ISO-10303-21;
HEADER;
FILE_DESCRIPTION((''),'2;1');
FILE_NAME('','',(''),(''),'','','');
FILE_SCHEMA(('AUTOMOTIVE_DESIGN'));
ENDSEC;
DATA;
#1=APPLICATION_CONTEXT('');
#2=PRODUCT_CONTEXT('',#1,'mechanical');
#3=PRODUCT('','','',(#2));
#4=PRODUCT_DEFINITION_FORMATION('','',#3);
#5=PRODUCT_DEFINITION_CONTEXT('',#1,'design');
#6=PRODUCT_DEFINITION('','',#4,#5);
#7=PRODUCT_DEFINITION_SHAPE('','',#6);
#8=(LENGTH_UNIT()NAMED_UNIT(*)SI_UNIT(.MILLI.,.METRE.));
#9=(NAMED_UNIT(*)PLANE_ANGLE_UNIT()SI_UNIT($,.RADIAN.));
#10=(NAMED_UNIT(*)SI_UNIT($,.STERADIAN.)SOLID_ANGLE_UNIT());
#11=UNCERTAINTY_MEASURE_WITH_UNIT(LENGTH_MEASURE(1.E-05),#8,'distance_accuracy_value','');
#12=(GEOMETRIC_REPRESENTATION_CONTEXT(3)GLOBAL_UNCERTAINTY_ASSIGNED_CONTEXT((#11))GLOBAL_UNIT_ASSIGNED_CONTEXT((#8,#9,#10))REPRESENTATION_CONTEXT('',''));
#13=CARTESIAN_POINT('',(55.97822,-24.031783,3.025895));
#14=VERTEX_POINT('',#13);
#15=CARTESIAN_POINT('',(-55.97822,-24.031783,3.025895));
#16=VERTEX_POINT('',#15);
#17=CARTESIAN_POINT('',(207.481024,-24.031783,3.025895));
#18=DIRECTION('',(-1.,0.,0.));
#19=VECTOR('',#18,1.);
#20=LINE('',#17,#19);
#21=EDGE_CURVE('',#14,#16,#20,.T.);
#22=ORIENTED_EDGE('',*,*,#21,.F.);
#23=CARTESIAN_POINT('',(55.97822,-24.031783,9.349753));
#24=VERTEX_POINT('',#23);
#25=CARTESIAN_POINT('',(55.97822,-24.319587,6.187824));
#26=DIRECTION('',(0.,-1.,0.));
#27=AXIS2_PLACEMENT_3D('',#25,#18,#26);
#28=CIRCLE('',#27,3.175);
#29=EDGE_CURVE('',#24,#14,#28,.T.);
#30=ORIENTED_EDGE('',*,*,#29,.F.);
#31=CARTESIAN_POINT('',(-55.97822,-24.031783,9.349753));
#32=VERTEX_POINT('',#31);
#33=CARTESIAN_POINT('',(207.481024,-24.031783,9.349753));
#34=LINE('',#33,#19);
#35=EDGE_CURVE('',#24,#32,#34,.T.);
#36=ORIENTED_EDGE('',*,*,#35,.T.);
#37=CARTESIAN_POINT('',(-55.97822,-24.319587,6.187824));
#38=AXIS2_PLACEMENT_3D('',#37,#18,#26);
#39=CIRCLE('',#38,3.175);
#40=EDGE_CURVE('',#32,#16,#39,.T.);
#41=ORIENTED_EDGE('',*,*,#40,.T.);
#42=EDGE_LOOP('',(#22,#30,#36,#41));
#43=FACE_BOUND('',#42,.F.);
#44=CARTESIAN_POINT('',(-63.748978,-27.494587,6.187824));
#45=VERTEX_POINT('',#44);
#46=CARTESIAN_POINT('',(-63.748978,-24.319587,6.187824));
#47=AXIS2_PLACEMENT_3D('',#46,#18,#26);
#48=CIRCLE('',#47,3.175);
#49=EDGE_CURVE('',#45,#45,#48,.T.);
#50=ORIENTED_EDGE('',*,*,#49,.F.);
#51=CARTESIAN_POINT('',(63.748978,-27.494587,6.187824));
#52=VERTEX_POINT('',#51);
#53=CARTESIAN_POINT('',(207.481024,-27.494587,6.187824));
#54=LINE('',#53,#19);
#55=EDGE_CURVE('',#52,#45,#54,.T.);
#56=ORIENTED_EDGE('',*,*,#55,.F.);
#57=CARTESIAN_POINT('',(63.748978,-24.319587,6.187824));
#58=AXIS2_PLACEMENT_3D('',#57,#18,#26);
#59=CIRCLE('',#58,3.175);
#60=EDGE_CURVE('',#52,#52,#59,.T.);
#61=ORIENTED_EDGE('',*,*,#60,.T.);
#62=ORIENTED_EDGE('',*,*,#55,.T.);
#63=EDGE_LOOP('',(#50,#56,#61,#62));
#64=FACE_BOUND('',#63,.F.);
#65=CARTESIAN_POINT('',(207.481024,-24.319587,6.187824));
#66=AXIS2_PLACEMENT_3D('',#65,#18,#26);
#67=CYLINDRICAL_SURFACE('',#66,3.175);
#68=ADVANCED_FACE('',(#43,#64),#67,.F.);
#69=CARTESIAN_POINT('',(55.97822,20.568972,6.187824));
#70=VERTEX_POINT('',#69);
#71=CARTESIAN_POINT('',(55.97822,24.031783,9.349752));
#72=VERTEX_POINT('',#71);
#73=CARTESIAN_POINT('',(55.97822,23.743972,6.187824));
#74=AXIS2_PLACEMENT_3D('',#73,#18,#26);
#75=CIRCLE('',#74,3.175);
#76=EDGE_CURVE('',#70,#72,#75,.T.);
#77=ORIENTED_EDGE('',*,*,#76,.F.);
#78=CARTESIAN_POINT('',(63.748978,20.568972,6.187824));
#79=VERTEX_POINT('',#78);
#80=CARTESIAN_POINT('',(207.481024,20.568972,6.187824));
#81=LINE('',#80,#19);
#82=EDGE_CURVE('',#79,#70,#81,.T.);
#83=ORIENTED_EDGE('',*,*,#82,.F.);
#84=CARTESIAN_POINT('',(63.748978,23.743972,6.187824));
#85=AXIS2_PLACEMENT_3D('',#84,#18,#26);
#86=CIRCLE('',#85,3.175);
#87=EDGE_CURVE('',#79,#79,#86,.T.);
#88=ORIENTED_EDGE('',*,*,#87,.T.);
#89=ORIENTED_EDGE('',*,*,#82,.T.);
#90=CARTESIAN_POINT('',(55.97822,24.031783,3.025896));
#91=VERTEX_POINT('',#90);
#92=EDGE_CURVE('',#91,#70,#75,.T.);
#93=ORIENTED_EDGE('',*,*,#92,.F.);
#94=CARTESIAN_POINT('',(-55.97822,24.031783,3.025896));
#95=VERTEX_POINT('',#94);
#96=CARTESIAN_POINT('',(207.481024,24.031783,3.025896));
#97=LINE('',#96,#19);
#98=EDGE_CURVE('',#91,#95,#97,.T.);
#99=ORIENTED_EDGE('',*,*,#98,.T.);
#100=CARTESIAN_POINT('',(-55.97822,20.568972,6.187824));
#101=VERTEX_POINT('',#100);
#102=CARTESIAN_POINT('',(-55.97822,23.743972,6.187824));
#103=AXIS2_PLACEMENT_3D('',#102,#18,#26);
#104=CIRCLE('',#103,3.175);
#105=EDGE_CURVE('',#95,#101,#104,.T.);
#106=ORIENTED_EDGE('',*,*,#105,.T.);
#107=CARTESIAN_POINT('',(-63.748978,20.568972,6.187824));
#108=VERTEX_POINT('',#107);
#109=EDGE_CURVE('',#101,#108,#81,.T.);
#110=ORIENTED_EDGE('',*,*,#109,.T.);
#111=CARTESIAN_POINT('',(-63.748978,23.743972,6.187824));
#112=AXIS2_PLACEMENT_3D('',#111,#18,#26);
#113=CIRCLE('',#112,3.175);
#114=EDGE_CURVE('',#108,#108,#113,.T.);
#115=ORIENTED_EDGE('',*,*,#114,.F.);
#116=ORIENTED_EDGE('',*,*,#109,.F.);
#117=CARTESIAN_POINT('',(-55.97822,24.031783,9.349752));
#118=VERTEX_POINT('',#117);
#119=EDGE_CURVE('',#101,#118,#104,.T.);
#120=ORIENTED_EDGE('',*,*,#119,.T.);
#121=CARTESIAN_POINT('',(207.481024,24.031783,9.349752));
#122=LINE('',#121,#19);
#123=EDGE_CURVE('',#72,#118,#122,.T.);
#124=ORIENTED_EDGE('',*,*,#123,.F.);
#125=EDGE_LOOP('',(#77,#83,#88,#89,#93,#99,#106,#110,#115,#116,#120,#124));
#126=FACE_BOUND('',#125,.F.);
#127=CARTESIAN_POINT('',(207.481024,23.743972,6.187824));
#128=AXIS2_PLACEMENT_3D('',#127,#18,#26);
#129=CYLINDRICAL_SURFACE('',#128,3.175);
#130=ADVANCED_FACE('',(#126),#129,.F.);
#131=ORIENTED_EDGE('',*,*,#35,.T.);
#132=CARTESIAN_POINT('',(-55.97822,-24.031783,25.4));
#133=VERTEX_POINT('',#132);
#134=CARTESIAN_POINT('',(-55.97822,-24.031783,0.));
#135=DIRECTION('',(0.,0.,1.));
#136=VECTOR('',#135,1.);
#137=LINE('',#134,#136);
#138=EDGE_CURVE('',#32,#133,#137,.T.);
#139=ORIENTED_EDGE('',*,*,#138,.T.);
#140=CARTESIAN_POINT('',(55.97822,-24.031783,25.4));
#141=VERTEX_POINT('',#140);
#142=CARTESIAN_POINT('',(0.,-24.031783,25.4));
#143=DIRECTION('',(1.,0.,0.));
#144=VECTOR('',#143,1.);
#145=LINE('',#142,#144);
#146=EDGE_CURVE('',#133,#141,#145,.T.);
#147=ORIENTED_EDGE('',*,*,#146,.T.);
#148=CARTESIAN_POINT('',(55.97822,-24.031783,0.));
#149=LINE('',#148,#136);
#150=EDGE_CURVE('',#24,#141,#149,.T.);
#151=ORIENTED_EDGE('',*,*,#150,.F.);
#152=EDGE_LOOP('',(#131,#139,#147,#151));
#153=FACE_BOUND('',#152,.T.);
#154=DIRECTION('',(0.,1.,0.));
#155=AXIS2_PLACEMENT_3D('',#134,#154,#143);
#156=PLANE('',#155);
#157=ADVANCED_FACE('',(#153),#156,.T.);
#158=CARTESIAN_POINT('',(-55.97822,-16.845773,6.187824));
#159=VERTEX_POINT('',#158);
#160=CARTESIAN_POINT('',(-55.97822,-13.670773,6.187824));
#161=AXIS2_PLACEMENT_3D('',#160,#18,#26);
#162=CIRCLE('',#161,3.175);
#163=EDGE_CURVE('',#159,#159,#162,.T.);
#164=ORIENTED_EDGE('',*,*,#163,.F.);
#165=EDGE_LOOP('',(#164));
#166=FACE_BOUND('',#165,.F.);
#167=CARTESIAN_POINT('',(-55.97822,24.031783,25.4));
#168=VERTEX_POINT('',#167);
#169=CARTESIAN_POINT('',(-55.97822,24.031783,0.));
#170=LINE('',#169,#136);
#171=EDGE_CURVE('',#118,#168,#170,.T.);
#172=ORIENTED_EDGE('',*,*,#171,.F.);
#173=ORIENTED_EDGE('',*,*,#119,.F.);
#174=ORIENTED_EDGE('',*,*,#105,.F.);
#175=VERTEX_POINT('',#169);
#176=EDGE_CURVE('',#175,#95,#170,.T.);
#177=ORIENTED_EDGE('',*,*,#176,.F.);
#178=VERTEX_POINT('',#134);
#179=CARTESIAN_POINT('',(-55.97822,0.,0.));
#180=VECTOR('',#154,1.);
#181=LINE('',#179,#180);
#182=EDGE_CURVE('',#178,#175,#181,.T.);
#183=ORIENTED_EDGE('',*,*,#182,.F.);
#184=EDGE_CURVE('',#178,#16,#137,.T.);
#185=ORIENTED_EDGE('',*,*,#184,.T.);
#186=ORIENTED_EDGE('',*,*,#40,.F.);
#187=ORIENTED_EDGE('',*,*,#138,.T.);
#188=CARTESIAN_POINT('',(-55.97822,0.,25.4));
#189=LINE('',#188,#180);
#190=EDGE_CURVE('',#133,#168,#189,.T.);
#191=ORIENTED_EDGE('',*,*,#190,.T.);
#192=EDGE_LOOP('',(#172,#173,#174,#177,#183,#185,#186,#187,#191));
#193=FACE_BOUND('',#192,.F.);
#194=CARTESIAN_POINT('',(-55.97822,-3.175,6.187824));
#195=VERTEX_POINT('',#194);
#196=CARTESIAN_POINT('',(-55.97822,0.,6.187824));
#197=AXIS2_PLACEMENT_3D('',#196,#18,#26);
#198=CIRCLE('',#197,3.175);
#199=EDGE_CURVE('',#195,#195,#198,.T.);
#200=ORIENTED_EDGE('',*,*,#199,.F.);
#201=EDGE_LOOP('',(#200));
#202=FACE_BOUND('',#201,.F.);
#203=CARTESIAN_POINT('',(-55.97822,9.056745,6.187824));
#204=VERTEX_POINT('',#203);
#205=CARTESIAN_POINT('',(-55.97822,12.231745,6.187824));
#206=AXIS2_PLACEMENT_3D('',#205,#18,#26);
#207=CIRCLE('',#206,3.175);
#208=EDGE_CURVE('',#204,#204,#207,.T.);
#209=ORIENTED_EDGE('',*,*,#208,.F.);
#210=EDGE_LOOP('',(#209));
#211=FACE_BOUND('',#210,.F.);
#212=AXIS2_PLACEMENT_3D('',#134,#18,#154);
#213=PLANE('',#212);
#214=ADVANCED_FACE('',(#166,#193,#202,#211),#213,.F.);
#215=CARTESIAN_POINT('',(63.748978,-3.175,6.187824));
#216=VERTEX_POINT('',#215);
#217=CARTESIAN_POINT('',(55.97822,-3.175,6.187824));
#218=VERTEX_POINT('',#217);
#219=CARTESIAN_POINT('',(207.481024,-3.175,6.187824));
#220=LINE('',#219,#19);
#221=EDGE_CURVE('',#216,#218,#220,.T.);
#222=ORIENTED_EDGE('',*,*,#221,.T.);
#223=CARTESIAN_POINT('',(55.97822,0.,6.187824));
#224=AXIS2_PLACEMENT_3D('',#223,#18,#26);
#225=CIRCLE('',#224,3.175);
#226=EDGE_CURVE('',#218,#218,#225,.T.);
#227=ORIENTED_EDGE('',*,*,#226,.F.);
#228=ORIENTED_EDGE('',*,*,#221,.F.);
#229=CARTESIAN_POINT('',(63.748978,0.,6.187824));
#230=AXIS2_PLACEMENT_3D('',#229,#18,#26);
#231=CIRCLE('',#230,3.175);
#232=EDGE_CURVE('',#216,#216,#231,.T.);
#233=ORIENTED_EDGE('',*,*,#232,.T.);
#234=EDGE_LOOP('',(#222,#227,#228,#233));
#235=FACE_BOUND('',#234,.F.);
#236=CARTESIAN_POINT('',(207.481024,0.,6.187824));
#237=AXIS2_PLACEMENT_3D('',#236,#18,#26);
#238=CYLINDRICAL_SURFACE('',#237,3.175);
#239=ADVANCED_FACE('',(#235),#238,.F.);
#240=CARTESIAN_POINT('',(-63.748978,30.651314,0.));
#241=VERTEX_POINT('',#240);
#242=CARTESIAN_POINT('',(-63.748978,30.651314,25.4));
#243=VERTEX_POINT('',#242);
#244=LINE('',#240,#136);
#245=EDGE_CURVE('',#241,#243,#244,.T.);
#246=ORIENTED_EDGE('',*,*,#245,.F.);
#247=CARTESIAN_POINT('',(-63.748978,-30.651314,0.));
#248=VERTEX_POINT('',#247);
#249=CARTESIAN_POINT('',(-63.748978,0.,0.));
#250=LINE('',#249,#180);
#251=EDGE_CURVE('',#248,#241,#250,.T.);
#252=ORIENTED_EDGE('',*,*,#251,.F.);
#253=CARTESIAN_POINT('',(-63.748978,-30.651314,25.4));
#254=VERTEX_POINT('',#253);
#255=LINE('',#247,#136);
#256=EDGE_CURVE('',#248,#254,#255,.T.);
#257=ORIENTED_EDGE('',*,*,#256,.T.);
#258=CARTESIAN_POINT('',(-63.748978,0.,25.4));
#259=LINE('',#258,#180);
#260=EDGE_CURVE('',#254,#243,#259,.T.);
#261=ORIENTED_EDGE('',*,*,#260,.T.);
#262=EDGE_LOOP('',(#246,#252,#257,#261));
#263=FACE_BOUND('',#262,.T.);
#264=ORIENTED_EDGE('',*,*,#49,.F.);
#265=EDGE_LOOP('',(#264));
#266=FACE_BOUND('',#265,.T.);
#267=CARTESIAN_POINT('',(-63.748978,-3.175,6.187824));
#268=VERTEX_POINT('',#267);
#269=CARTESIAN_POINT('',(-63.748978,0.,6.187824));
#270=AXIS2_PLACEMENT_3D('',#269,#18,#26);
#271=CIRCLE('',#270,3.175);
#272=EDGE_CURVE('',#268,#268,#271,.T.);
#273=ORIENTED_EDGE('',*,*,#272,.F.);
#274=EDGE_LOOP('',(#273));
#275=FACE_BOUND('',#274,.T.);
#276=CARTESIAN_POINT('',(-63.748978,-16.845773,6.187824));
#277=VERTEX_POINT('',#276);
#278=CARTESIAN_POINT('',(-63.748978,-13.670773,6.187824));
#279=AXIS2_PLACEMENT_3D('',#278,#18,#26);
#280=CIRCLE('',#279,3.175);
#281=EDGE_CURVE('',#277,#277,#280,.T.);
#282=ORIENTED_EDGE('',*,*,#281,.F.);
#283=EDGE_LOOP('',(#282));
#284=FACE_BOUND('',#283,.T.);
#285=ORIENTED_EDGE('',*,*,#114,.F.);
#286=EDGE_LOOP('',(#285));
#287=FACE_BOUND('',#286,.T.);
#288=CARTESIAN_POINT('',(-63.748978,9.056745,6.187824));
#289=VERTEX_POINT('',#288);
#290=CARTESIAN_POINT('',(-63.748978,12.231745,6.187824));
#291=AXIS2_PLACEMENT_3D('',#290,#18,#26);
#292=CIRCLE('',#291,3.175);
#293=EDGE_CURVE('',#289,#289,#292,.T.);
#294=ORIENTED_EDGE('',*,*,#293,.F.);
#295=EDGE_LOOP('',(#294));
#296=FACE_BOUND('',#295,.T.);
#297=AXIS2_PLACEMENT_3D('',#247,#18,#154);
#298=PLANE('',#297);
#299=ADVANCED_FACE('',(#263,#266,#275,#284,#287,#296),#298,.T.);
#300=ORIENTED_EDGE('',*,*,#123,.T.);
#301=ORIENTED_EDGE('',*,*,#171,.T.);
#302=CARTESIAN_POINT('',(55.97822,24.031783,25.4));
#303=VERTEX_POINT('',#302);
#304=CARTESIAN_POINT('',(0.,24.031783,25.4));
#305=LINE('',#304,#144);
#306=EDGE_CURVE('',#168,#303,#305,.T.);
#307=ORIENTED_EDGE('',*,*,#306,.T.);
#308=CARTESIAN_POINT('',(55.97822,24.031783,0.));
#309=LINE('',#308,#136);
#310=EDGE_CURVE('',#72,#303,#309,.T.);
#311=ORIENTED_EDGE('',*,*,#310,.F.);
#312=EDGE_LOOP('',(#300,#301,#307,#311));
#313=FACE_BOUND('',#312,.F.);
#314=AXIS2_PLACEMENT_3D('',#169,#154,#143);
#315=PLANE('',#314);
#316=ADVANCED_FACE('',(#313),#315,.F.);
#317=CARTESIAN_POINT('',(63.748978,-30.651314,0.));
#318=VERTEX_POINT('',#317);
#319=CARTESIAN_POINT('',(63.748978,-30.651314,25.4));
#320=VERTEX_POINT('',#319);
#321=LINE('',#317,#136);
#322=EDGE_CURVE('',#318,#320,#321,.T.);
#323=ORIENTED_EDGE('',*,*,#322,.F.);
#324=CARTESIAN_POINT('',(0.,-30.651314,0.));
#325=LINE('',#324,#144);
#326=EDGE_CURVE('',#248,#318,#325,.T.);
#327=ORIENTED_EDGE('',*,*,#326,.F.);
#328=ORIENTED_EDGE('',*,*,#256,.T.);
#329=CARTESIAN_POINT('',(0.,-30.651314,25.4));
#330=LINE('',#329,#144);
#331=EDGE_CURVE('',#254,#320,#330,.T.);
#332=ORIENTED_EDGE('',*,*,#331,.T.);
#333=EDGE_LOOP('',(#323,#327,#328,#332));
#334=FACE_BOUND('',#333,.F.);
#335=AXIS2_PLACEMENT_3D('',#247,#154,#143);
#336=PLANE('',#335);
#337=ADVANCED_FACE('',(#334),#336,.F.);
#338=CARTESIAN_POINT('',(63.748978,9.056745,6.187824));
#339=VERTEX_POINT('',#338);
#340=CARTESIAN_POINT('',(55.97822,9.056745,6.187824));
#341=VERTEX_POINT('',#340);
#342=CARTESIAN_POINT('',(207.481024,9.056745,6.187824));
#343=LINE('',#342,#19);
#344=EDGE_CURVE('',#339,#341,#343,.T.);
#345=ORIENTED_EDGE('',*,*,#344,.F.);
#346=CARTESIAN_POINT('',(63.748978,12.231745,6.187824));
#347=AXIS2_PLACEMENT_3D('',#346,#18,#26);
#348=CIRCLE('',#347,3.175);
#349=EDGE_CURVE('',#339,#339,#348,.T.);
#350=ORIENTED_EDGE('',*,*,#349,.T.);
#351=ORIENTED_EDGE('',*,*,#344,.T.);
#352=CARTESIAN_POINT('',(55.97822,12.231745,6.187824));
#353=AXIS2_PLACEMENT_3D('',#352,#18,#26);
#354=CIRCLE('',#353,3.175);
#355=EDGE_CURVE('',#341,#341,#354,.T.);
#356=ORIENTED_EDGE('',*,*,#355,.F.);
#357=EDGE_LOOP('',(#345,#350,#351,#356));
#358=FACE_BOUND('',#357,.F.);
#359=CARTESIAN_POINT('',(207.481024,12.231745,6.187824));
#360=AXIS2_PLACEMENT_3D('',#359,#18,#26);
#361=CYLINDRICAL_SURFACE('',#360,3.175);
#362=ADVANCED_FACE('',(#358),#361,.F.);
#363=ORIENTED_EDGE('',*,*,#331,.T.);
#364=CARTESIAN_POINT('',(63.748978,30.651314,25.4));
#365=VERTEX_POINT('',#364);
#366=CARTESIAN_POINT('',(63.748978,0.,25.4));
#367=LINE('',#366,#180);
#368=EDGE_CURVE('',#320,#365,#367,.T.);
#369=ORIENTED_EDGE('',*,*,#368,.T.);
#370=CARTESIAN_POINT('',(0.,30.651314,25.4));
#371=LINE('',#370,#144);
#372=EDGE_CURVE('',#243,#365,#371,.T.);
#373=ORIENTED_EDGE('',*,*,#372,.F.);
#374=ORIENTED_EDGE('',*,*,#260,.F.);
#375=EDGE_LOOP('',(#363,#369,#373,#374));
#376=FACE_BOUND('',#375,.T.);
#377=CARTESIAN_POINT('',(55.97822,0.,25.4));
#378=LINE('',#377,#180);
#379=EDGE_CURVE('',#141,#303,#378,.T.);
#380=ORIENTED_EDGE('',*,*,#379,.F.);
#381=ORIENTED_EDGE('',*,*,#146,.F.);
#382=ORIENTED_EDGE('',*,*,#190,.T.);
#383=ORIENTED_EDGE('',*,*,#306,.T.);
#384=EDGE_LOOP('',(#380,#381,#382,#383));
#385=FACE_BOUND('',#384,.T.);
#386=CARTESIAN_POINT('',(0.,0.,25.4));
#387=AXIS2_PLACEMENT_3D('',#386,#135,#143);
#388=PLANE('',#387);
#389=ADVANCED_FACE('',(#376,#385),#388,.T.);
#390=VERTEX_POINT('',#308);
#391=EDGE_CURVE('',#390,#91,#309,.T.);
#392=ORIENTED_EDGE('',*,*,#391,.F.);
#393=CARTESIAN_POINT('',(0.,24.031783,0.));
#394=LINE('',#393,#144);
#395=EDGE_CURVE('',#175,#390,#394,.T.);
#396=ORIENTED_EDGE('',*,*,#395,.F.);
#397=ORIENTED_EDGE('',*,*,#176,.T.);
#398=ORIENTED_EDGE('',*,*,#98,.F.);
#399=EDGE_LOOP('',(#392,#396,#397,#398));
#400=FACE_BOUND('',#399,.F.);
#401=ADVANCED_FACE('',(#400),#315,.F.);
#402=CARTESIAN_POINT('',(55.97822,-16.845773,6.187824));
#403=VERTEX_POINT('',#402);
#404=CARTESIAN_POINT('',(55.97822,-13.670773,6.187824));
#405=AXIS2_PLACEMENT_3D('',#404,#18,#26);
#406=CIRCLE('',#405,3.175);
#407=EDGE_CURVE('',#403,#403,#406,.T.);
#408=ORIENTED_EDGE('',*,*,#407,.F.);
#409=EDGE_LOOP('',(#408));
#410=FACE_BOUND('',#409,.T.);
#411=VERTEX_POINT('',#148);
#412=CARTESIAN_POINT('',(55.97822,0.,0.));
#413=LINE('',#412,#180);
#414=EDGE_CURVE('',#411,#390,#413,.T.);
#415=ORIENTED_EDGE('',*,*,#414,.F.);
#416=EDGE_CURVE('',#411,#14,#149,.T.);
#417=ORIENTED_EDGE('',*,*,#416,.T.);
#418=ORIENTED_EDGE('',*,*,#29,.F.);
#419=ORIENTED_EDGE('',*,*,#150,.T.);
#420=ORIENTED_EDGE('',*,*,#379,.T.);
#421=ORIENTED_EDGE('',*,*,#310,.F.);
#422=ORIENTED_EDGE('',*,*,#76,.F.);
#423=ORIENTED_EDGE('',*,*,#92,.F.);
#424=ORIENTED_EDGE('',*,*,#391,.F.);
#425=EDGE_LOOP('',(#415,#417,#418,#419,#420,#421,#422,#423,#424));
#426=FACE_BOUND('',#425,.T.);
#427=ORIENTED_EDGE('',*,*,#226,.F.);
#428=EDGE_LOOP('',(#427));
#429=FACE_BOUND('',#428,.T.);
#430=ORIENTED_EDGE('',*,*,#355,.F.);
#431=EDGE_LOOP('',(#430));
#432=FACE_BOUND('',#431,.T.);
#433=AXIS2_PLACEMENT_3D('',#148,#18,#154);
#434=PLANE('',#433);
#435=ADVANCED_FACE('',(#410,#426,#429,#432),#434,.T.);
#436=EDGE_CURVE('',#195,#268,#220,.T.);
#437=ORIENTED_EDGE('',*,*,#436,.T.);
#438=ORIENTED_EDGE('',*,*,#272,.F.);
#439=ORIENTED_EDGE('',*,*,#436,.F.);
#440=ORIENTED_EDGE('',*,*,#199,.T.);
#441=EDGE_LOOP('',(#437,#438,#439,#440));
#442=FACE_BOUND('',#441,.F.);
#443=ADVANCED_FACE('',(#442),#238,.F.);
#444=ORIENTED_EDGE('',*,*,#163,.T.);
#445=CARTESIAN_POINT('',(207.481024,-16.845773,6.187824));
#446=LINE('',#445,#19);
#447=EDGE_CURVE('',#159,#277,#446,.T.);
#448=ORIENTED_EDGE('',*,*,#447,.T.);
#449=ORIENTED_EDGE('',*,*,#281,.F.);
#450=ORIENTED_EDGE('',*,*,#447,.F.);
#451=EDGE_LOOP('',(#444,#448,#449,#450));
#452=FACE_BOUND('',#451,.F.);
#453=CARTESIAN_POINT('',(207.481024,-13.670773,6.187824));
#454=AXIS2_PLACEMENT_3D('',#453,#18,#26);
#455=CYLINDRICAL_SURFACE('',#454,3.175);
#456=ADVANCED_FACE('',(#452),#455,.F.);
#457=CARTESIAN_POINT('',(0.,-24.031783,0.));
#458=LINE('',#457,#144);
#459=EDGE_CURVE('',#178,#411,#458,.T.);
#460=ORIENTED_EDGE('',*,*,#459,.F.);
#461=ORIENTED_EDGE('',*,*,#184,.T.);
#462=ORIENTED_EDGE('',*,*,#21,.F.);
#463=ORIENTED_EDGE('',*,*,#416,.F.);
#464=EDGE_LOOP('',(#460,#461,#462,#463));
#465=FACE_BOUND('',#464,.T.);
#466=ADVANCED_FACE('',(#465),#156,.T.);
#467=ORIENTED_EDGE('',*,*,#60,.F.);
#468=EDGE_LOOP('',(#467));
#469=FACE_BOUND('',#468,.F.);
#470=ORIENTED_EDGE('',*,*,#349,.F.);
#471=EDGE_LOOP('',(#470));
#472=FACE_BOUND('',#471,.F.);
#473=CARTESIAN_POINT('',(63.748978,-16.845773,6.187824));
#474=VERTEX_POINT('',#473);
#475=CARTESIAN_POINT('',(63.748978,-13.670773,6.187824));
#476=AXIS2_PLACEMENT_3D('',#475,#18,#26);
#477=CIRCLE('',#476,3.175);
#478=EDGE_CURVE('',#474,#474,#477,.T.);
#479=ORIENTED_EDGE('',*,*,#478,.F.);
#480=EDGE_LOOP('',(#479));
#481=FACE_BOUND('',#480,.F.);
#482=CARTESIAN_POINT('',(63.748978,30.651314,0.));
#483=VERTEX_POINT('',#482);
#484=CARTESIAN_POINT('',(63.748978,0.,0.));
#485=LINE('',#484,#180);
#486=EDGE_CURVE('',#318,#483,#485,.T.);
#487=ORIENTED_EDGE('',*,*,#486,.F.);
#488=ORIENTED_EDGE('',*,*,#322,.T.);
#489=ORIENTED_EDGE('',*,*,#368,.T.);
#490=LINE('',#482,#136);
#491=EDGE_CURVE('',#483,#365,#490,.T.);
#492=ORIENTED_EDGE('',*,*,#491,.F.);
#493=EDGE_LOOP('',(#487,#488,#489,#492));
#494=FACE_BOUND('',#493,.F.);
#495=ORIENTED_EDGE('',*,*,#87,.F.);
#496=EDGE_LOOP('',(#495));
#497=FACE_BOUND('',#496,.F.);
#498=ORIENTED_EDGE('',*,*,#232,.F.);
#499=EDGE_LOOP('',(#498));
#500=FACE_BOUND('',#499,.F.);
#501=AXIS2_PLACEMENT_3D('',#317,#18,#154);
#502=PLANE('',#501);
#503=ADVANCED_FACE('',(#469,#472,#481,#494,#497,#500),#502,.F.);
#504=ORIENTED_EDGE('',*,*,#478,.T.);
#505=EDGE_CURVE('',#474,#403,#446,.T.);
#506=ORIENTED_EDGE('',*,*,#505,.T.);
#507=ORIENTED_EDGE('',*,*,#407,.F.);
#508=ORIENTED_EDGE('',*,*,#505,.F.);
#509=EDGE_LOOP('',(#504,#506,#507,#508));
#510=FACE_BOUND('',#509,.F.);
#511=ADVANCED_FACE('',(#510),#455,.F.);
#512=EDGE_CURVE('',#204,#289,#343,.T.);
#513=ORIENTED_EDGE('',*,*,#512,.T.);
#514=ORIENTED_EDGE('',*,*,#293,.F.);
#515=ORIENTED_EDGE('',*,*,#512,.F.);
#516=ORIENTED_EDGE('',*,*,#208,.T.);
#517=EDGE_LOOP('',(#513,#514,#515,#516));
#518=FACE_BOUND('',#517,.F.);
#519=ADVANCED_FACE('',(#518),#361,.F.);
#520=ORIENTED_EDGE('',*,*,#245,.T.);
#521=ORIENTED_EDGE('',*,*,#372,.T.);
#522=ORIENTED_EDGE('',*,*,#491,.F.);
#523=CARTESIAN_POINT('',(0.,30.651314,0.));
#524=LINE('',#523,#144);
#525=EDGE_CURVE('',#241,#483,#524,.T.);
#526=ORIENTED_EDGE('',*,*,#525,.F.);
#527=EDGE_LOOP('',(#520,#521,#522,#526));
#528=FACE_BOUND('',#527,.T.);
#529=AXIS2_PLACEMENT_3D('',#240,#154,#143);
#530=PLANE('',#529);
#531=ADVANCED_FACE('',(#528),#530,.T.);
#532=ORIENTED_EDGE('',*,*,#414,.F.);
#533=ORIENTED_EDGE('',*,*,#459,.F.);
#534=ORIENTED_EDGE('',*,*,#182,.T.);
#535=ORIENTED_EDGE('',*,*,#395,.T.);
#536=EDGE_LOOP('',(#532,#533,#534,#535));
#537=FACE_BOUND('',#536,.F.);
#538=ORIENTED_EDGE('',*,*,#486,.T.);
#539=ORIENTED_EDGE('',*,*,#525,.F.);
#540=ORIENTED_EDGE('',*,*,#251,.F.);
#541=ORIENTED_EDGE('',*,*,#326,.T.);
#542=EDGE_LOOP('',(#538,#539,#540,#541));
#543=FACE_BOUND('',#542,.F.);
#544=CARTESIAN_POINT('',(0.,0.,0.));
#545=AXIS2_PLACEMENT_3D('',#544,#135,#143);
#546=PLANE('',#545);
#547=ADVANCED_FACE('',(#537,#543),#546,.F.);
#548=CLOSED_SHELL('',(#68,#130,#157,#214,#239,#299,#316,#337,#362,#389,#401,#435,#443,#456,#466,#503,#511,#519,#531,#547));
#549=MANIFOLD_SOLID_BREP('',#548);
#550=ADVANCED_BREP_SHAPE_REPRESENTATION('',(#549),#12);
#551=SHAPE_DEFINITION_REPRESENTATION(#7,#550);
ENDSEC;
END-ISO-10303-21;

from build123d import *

# Parameters (mm, degrees)
F0_W     = 127.497956
F0_H     = 61.302628
F0_W_2   = 111.95644
F0_H_2   = 48.063566
F1_DEPTH = 25.4
F3_D     = 6.35


with BuildPart() as f1:
    # F0 (on Top) → F1 (new body)
    with BuildSketch(Plane.XY):
        Rectangle(F0_W, F0_H)
        Rectangle(F0_W_2, F0_H_2, mode=Mode.SUBTRACT)
    extrude(amount=F1_DEPTH)

    # F3 (through all)
    with Locations(Plane.YZ.offset(63.748978)):
        with Locations((-24.319587, 6.187824), (-13.670773, 6.187824), (0, 6.187824), (12.231745, 6.187824), (23.743972, 6.187824)):
            Hole(F3_D / 2)


solid = f1.part
